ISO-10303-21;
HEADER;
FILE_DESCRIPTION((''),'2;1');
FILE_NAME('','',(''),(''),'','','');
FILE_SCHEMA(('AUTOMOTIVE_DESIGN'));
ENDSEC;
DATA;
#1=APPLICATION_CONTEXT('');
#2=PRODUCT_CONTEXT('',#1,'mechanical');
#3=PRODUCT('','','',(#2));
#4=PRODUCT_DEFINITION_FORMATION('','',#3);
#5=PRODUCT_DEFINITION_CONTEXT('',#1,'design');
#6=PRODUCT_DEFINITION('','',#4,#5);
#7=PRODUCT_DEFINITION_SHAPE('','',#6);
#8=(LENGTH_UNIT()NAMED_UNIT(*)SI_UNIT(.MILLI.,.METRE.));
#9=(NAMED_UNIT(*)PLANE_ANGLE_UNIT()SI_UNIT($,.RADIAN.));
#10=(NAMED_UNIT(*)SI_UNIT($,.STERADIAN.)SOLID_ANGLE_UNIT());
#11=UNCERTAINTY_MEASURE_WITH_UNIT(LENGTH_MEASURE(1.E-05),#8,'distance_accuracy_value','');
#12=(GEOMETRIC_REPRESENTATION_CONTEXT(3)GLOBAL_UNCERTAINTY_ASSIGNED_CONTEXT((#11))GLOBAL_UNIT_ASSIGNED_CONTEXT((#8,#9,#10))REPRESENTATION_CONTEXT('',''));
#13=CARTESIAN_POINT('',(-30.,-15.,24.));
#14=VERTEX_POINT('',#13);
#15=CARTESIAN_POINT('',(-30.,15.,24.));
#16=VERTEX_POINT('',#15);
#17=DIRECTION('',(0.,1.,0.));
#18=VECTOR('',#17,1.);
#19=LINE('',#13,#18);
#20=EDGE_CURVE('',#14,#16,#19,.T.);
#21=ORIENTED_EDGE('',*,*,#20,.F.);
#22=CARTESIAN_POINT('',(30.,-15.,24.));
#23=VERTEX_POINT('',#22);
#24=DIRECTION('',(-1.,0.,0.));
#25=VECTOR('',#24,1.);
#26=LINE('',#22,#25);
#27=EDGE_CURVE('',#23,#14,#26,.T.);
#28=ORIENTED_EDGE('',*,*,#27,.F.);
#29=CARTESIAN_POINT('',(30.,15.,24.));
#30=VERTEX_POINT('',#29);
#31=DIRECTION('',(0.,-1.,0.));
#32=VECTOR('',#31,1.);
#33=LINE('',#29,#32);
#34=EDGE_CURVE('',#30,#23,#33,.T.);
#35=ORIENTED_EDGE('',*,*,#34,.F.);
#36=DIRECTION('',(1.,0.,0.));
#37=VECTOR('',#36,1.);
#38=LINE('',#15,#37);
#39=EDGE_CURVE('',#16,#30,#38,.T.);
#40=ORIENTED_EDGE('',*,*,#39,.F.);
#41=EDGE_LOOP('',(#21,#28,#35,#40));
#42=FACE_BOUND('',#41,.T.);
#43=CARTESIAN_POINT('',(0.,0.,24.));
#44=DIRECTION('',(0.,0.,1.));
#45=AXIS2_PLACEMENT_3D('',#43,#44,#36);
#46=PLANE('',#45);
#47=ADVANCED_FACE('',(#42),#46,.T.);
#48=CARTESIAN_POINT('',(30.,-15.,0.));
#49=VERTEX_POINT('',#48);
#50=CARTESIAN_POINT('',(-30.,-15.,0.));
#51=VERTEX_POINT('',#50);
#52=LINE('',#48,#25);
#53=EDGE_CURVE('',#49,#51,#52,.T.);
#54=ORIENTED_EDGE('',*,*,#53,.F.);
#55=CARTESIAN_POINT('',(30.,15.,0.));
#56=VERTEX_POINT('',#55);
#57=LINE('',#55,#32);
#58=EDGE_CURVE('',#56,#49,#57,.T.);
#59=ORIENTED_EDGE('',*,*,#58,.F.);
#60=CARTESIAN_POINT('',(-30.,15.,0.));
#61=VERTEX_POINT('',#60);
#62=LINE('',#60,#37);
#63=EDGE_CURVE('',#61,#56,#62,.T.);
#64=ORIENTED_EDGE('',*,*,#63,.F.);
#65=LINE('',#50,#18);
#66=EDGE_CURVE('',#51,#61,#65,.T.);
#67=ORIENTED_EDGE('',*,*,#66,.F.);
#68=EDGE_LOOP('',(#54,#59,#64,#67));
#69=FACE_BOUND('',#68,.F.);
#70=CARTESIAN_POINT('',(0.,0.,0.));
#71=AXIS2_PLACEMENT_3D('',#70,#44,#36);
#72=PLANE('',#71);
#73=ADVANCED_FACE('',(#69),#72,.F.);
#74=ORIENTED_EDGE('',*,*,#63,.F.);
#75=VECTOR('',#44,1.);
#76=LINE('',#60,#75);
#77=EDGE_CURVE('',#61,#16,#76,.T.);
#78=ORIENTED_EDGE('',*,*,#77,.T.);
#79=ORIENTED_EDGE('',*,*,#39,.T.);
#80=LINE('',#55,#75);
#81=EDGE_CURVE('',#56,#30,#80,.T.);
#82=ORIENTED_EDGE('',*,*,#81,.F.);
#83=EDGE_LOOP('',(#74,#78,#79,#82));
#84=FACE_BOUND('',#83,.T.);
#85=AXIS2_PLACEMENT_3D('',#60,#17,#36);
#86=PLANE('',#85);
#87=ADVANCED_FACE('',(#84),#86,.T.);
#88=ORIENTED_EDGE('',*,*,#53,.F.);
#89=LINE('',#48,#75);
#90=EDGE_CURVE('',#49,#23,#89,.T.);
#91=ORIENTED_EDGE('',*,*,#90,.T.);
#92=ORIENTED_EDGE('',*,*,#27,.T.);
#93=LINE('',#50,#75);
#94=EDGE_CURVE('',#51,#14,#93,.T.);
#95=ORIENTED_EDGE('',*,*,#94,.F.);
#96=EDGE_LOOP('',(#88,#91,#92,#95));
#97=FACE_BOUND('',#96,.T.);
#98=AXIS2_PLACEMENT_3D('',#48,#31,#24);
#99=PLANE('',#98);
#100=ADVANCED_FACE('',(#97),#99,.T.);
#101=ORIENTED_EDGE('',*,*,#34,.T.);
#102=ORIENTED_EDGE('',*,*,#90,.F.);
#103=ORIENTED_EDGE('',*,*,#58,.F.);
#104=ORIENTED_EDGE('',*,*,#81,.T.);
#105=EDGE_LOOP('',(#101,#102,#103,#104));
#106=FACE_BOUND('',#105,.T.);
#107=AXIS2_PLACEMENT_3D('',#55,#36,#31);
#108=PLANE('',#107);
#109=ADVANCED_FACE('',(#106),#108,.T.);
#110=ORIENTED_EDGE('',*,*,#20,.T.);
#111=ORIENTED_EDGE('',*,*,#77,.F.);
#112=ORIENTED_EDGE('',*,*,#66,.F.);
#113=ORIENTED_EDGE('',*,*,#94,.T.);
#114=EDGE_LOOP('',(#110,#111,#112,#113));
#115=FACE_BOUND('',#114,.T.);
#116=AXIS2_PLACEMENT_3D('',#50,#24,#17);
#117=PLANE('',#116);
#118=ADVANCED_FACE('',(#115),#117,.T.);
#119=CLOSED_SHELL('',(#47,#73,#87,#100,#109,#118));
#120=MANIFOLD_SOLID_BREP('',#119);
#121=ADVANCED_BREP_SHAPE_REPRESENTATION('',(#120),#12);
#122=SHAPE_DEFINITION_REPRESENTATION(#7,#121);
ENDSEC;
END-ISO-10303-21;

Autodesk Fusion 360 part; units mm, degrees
sketch "Sketch1" plane through (0, 0, 0) normal (0, 0, 1) x (1, 0, 0)
  line L0 (-30, 15) -> (30, 15)
  line L1 (30, 15) -> (30, -15)
  line L2 (30, -15) -> (-30, -15)
  line L3 (-30, -15) -> (-30, 15)
  line L4 (-30, 15) -> (30, -15) construction
  line L5 (30, 15) -> (-30, -15) construction
  dimension "d1" = 60
  dimension "d2" = 30
extrude "Extrude1" add sketch "Sketch1" along normal blind 24
